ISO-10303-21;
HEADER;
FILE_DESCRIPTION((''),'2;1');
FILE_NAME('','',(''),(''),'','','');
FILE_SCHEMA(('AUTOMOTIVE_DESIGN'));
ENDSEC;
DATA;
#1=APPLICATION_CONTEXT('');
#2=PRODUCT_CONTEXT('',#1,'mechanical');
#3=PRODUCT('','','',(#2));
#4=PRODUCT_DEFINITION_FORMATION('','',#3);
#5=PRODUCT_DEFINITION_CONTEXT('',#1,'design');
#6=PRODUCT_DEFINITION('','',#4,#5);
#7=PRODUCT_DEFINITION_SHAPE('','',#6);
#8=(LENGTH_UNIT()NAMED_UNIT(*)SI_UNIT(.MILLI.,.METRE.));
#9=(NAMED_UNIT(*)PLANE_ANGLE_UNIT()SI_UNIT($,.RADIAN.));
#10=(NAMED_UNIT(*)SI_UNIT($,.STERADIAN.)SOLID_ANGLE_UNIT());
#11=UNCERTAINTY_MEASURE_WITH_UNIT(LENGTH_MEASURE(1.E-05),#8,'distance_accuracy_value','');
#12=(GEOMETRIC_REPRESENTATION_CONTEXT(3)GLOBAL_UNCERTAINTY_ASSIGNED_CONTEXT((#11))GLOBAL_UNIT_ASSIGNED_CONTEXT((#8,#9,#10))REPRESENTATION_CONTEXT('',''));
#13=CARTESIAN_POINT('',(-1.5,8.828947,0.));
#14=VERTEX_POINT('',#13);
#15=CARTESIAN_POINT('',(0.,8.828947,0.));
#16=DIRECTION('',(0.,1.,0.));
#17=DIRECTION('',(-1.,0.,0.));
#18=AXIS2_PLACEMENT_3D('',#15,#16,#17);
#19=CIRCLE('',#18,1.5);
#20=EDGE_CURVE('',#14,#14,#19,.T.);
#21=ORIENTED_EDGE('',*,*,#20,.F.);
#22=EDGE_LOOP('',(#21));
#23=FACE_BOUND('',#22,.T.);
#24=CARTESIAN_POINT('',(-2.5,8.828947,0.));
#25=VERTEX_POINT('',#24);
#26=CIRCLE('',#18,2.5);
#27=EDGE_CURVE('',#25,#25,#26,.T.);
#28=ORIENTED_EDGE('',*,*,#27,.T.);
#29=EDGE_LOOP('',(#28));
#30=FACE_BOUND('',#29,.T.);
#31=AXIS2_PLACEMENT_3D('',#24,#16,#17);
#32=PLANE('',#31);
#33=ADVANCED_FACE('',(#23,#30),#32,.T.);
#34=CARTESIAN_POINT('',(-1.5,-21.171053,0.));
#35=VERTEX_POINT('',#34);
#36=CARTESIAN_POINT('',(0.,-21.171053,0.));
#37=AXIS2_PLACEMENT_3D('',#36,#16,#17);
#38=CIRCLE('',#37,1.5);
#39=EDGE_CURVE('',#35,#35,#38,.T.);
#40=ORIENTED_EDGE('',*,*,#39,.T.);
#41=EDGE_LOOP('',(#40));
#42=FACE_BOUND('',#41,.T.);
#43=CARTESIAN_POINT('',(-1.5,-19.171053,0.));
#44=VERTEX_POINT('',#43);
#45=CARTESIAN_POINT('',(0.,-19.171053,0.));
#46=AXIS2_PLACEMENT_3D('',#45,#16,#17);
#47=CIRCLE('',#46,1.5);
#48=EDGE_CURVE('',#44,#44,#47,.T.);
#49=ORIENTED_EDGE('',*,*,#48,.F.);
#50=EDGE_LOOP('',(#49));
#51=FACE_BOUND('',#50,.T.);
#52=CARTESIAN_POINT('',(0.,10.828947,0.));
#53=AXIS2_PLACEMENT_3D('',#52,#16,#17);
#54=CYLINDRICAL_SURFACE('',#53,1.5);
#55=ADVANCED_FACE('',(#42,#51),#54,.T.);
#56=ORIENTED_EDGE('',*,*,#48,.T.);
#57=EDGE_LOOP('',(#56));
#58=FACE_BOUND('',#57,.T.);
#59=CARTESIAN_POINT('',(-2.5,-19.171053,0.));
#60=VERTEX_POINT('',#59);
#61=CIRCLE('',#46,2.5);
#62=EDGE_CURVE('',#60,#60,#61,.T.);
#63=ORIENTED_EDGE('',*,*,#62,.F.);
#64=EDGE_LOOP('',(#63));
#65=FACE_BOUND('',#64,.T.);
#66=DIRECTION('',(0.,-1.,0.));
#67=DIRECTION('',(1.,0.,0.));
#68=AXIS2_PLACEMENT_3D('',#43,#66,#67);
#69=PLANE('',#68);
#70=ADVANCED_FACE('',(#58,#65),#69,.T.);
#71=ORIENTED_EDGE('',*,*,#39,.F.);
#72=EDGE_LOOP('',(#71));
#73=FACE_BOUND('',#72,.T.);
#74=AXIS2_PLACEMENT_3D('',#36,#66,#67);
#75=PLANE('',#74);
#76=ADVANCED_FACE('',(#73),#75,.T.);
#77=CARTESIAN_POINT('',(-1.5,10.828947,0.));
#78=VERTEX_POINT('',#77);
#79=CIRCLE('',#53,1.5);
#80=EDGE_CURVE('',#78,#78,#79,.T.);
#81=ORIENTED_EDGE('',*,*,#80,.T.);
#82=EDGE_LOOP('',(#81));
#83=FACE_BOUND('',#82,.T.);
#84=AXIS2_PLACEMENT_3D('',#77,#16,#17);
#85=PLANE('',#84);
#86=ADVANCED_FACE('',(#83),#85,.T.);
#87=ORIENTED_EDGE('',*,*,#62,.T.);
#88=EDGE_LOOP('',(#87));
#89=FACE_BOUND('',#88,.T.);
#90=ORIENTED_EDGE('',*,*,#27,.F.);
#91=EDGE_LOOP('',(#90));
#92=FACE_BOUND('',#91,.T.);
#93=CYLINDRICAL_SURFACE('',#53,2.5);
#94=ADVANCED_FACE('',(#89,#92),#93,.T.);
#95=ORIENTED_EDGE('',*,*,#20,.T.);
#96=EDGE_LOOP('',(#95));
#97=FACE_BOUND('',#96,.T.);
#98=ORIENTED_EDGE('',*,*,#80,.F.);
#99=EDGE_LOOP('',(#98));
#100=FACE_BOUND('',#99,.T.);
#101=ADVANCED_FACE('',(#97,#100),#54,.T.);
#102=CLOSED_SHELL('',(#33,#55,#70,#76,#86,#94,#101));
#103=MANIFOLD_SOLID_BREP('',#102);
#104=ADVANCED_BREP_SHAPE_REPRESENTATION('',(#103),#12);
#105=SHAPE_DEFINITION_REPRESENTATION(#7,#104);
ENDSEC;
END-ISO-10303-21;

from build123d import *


with BuildPart() as part:
    # Sketch1 → Revolve1 (revolve)
    with BuildSketch(Plane.XY):
        Polygon((0, 10.828947368), (0, -21.171052632), (-1.5, -21.171052632), (-1.5, -19.171052632), (-2.5, -19.171052632), (-2.5, 8.828947368), (-1.5, 8.828947368), (-1.5, 10.828947368), align=None)
    revolve(axis=Axis((0, 10.828947368, 0), (0, -1, 0)))


solid = part.part
